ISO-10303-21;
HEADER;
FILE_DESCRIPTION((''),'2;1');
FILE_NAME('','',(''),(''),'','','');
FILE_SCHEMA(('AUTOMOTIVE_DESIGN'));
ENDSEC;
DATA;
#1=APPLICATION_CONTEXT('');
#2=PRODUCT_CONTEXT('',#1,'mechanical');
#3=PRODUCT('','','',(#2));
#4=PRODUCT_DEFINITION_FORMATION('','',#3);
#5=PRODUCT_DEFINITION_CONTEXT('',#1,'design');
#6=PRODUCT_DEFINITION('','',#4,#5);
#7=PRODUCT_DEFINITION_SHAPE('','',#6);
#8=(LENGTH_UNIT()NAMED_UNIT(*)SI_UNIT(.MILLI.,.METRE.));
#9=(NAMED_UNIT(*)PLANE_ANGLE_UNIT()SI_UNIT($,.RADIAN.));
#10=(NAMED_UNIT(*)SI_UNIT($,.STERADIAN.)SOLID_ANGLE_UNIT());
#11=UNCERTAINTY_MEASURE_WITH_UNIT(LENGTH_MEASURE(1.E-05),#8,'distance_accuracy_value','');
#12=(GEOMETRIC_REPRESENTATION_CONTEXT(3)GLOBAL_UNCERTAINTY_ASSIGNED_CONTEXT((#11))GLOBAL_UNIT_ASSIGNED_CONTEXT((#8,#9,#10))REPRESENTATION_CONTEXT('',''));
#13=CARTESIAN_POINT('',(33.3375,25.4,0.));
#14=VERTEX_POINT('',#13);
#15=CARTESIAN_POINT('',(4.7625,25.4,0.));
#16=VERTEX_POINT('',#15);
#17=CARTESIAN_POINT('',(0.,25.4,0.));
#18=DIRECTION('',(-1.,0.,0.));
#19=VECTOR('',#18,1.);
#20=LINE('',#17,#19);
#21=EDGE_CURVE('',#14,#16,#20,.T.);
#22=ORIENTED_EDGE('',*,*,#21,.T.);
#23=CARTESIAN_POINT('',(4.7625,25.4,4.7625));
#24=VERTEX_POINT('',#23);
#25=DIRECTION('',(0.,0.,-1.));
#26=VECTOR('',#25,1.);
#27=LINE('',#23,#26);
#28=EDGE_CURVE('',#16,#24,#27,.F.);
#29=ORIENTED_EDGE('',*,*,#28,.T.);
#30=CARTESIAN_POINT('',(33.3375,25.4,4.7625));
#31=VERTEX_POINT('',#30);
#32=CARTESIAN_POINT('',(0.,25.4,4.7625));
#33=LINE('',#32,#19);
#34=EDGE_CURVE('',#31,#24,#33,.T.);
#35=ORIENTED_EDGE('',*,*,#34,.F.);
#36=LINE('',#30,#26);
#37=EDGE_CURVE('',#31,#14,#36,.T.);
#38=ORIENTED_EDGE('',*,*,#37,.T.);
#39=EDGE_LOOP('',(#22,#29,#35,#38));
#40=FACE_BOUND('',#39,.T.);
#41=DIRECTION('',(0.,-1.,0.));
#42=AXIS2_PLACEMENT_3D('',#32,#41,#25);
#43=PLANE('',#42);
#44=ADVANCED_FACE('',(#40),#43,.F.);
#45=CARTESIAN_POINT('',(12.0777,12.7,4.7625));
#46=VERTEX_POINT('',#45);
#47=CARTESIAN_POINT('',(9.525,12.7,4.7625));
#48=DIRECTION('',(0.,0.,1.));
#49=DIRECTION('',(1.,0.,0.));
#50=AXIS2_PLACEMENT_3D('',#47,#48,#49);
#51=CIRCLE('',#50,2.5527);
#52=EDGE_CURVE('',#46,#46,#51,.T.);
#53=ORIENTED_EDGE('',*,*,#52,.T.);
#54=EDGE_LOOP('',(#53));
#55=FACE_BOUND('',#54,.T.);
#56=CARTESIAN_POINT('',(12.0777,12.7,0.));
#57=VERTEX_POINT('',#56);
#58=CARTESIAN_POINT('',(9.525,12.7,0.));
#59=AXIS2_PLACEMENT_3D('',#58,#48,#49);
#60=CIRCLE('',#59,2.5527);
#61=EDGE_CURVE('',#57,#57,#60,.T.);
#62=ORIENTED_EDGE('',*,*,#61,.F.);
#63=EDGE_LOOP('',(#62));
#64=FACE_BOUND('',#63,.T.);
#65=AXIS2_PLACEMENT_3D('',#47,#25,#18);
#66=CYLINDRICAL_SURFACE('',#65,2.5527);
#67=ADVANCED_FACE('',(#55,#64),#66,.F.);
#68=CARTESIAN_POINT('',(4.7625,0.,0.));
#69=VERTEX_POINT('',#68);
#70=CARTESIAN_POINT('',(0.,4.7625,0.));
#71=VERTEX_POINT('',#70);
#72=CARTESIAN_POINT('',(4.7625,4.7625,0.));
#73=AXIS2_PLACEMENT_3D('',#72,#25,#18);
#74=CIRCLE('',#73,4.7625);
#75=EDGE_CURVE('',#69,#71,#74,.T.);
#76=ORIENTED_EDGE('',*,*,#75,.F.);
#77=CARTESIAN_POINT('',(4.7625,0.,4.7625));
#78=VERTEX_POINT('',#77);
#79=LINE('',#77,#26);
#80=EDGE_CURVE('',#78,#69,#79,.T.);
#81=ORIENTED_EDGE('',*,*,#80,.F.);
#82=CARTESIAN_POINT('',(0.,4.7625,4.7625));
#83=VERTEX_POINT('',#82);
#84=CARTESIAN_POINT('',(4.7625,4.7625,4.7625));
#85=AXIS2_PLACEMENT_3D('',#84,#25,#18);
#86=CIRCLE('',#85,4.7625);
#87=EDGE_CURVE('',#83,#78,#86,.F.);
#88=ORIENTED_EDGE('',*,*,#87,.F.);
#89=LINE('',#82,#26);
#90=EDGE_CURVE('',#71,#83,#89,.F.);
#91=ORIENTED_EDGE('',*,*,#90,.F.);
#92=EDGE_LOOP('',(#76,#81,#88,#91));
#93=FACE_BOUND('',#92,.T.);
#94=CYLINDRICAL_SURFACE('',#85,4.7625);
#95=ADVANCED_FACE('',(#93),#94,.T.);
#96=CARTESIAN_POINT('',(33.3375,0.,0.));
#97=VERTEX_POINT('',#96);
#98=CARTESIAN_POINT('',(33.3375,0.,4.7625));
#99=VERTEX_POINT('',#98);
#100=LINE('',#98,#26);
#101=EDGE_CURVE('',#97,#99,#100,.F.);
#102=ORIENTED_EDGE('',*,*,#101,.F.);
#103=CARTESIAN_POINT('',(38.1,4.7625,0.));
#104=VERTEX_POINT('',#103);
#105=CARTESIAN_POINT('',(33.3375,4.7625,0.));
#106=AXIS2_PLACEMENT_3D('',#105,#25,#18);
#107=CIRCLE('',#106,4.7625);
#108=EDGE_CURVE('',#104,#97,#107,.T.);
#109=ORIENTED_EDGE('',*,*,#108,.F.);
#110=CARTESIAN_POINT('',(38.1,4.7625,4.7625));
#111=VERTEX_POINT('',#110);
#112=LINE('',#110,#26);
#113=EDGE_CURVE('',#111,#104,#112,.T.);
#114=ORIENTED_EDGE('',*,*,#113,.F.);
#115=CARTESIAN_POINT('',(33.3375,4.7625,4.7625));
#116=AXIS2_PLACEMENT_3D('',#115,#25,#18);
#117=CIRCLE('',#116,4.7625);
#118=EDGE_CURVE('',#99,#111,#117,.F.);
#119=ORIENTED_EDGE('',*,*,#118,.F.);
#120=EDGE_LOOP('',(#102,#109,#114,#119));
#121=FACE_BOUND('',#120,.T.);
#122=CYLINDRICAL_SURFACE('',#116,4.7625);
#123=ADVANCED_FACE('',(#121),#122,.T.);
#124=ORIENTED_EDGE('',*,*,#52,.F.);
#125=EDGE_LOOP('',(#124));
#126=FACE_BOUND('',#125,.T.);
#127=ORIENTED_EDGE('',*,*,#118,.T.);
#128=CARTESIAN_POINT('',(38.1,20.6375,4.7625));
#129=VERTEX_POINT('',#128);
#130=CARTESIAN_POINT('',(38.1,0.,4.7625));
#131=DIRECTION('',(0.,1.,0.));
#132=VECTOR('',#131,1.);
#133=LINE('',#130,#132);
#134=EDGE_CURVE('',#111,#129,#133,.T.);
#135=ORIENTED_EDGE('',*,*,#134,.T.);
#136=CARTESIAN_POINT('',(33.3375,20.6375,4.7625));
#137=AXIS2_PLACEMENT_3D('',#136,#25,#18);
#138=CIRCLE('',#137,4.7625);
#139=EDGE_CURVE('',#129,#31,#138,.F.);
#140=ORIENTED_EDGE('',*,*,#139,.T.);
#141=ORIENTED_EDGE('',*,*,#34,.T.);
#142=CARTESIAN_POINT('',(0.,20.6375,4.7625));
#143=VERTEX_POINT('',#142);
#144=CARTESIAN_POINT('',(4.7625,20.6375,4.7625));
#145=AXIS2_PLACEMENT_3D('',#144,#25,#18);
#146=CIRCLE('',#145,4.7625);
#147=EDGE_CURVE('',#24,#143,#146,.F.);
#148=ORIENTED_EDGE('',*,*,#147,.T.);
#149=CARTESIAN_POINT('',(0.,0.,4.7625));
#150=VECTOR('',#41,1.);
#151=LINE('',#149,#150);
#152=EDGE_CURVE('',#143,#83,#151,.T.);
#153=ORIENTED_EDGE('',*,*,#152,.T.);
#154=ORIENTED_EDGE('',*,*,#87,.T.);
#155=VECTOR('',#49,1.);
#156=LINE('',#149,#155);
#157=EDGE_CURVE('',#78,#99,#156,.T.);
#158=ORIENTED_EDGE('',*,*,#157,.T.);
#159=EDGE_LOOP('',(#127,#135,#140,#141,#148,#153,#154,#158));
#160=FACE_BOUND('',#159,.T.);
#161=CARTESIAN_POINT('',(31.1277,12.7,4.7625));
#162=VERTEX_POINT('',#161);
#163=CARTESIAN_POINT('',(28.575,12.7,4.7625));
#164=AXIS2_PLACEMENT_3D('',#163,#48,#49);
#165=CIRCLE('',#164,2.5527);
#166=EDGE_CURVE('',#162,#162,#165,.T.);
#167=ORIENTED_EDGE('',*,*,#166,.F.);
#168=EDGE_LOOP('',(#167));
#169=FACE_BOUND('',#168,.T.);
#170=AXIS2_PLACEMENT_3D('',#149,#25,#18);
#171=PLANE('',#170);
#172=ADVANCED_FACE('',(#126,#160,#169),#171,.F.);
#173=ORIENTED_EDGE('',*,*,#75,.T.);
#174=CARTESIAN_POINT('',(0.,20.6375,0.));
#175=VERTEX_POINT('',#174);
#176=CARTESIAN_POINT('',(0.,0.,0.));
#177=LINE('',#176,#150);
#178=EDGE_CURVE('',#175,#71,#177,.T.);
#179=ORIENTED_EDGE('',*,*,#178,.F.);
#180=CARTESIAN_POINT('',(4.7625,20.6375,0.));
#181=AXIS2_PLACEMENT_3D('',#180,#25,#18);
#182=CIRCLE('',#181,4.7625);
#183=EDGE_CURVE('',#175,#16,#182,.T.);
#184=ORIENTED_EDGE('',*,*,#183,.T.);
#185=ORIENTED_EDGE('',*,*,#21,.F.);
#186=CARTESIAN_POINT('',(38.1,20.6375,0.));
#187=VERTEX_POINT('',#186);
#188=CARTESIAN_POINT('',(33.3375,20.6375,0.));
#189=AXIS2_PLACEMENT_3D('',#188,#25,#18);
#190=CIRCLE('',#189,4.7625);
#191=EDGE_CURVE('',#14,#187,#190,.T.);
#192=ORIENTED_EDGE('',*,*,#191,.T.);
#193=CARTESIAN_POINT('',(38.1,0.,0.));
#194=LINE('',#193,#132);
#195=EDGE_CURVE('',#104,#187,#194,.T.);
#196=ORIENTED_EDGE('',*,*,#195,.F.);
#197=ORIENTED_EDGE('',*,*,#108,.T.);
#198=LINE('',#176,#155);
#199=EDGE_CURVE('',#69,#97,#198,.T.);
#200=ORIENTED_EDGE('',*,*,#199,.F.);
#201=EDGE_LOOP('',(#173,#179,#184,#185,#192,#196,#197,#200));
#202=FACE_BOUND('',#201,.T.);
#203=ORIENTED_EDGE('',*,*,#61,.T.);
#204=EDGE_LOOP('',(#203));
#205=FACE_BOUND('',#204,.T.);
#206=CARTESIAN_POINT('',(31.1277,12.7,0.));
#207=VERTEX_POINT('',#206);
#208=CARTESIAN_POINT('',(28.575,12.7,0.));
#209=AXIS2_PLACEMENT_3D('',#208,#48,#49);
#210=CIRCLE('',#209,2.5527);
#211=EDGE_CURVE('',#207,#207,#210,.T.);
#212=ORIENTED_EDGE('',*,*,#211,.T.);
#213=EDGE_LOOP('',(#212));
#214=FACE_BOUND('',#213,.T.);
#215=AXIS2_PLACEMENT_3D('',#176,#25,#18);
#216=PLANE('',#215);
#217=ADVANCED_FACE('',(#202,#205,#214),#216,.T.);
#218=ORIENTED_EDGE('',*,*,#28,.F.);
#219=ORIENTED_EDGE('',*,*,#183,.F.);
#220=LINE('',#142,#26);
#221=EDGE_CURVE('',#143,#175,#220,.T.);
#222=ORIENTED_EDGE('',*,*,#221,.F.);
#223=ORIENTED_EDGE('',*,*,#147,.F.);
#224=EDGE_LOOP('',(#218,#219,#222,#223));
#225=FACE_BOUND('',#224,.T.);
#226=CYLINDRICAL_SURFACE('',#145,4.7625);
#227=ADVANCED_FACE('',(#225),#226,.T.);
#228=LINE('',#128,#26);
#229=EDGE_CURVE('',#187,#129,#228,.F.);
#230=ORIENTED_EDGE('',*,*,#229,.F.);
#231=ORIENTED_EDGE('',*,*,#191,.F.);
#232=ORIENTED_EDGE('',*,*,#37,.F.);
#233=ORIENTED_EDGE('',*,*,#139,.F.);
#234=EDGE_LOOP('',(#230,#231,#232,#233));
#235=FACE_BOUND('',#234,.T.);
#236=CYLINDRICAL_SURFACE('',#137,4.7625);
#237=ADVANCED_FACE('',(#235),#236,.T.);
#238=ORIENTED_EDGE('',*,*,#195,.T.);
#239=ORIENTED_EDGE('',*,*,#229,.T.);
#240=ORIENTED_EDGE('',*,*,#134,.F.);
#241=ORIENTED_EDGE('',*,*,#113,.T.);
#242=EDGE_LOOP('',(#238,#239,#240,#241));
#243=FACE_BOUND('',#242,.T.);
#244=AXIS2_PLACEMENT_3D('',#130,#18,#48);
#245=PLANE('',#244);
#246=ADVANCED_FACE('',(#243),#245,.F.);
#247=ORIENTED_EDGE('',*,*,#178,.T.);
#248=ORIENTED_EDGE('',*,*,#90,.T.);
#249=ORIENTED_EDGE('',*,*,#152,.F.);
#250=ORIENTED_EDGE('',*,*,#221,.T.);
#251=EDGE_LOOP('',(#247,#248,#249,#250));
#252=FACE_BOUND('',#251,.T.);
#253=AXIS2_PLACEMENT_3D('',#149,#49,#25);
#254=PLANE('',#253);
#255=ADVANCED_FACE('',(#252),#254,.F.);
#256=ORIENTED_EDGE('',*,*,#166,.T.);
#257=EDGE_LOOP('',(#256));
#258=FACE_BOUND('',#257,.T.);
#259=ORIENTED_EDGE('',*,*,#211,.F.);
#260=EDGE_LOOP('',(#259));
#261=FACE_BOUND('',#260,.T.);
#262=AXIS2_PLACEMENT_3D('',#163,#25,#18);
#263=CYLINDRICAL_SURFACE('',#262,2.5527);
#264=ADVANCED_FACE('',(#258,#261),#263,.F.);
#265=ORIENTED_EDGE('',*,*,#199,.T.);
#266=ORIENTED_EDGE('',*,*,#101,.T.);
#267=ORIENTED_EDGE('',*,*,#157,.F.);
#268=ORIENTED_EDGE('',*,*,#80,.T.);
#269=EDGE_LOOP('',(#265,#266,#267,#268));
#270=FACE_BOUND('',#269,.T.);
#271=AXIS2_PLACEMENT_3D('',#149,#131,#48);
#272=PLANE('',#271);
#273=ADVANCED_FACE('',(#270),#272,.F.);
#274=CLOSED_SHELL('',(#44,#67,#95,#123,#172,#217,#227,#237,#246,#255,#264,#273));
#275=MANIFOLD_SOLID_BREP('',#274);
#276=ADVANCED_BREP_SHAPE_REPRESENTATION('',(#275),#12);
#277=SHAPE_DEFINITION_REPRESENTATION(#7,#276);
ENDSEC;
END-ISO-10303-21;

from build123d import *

# Parameters (mm, degrees)
SKETCH2_W           = 38.1
SKETCH2_H           = 25.4
SKETCH2_R           = 2.5527
BOSS_EXTRUDE1_DEPTH = 4.7625
FILLET1_R           = 4.7625


with BuildPart() as part:
    # Sketch2 → Boss-Extrude1 (new body)
    with BuildSketch(Plane.XY):
        with Locations((19.05, 12.7)):
            Rectangle(SKETCH2_W, SKETCH2_H)
        with Locations((9.525, 12.7)):
            Circle(SKETCH2_R, mode=Mode.SUBTRACT)
        with Locations((28.575, 12.7)):
            Circle(SKETCH2_R, mode=Mode.SUBTRACT)
    extrude(amount=BOSS_EXTRUDE1_DEPTH)

    # Fillet1
    fillet1_edges = [part.edges().sort_by_distance(p)[0] for p in [
        (0, 25.4, 2.38125),
        (38.1, 25.4, 2.38125),
        (38.1, 0, 2.38125),
        (0, 0, 2.38125),
    ]]
    fillet(fillet1_edges, radius=FILLET1_R)


solid = part.part
